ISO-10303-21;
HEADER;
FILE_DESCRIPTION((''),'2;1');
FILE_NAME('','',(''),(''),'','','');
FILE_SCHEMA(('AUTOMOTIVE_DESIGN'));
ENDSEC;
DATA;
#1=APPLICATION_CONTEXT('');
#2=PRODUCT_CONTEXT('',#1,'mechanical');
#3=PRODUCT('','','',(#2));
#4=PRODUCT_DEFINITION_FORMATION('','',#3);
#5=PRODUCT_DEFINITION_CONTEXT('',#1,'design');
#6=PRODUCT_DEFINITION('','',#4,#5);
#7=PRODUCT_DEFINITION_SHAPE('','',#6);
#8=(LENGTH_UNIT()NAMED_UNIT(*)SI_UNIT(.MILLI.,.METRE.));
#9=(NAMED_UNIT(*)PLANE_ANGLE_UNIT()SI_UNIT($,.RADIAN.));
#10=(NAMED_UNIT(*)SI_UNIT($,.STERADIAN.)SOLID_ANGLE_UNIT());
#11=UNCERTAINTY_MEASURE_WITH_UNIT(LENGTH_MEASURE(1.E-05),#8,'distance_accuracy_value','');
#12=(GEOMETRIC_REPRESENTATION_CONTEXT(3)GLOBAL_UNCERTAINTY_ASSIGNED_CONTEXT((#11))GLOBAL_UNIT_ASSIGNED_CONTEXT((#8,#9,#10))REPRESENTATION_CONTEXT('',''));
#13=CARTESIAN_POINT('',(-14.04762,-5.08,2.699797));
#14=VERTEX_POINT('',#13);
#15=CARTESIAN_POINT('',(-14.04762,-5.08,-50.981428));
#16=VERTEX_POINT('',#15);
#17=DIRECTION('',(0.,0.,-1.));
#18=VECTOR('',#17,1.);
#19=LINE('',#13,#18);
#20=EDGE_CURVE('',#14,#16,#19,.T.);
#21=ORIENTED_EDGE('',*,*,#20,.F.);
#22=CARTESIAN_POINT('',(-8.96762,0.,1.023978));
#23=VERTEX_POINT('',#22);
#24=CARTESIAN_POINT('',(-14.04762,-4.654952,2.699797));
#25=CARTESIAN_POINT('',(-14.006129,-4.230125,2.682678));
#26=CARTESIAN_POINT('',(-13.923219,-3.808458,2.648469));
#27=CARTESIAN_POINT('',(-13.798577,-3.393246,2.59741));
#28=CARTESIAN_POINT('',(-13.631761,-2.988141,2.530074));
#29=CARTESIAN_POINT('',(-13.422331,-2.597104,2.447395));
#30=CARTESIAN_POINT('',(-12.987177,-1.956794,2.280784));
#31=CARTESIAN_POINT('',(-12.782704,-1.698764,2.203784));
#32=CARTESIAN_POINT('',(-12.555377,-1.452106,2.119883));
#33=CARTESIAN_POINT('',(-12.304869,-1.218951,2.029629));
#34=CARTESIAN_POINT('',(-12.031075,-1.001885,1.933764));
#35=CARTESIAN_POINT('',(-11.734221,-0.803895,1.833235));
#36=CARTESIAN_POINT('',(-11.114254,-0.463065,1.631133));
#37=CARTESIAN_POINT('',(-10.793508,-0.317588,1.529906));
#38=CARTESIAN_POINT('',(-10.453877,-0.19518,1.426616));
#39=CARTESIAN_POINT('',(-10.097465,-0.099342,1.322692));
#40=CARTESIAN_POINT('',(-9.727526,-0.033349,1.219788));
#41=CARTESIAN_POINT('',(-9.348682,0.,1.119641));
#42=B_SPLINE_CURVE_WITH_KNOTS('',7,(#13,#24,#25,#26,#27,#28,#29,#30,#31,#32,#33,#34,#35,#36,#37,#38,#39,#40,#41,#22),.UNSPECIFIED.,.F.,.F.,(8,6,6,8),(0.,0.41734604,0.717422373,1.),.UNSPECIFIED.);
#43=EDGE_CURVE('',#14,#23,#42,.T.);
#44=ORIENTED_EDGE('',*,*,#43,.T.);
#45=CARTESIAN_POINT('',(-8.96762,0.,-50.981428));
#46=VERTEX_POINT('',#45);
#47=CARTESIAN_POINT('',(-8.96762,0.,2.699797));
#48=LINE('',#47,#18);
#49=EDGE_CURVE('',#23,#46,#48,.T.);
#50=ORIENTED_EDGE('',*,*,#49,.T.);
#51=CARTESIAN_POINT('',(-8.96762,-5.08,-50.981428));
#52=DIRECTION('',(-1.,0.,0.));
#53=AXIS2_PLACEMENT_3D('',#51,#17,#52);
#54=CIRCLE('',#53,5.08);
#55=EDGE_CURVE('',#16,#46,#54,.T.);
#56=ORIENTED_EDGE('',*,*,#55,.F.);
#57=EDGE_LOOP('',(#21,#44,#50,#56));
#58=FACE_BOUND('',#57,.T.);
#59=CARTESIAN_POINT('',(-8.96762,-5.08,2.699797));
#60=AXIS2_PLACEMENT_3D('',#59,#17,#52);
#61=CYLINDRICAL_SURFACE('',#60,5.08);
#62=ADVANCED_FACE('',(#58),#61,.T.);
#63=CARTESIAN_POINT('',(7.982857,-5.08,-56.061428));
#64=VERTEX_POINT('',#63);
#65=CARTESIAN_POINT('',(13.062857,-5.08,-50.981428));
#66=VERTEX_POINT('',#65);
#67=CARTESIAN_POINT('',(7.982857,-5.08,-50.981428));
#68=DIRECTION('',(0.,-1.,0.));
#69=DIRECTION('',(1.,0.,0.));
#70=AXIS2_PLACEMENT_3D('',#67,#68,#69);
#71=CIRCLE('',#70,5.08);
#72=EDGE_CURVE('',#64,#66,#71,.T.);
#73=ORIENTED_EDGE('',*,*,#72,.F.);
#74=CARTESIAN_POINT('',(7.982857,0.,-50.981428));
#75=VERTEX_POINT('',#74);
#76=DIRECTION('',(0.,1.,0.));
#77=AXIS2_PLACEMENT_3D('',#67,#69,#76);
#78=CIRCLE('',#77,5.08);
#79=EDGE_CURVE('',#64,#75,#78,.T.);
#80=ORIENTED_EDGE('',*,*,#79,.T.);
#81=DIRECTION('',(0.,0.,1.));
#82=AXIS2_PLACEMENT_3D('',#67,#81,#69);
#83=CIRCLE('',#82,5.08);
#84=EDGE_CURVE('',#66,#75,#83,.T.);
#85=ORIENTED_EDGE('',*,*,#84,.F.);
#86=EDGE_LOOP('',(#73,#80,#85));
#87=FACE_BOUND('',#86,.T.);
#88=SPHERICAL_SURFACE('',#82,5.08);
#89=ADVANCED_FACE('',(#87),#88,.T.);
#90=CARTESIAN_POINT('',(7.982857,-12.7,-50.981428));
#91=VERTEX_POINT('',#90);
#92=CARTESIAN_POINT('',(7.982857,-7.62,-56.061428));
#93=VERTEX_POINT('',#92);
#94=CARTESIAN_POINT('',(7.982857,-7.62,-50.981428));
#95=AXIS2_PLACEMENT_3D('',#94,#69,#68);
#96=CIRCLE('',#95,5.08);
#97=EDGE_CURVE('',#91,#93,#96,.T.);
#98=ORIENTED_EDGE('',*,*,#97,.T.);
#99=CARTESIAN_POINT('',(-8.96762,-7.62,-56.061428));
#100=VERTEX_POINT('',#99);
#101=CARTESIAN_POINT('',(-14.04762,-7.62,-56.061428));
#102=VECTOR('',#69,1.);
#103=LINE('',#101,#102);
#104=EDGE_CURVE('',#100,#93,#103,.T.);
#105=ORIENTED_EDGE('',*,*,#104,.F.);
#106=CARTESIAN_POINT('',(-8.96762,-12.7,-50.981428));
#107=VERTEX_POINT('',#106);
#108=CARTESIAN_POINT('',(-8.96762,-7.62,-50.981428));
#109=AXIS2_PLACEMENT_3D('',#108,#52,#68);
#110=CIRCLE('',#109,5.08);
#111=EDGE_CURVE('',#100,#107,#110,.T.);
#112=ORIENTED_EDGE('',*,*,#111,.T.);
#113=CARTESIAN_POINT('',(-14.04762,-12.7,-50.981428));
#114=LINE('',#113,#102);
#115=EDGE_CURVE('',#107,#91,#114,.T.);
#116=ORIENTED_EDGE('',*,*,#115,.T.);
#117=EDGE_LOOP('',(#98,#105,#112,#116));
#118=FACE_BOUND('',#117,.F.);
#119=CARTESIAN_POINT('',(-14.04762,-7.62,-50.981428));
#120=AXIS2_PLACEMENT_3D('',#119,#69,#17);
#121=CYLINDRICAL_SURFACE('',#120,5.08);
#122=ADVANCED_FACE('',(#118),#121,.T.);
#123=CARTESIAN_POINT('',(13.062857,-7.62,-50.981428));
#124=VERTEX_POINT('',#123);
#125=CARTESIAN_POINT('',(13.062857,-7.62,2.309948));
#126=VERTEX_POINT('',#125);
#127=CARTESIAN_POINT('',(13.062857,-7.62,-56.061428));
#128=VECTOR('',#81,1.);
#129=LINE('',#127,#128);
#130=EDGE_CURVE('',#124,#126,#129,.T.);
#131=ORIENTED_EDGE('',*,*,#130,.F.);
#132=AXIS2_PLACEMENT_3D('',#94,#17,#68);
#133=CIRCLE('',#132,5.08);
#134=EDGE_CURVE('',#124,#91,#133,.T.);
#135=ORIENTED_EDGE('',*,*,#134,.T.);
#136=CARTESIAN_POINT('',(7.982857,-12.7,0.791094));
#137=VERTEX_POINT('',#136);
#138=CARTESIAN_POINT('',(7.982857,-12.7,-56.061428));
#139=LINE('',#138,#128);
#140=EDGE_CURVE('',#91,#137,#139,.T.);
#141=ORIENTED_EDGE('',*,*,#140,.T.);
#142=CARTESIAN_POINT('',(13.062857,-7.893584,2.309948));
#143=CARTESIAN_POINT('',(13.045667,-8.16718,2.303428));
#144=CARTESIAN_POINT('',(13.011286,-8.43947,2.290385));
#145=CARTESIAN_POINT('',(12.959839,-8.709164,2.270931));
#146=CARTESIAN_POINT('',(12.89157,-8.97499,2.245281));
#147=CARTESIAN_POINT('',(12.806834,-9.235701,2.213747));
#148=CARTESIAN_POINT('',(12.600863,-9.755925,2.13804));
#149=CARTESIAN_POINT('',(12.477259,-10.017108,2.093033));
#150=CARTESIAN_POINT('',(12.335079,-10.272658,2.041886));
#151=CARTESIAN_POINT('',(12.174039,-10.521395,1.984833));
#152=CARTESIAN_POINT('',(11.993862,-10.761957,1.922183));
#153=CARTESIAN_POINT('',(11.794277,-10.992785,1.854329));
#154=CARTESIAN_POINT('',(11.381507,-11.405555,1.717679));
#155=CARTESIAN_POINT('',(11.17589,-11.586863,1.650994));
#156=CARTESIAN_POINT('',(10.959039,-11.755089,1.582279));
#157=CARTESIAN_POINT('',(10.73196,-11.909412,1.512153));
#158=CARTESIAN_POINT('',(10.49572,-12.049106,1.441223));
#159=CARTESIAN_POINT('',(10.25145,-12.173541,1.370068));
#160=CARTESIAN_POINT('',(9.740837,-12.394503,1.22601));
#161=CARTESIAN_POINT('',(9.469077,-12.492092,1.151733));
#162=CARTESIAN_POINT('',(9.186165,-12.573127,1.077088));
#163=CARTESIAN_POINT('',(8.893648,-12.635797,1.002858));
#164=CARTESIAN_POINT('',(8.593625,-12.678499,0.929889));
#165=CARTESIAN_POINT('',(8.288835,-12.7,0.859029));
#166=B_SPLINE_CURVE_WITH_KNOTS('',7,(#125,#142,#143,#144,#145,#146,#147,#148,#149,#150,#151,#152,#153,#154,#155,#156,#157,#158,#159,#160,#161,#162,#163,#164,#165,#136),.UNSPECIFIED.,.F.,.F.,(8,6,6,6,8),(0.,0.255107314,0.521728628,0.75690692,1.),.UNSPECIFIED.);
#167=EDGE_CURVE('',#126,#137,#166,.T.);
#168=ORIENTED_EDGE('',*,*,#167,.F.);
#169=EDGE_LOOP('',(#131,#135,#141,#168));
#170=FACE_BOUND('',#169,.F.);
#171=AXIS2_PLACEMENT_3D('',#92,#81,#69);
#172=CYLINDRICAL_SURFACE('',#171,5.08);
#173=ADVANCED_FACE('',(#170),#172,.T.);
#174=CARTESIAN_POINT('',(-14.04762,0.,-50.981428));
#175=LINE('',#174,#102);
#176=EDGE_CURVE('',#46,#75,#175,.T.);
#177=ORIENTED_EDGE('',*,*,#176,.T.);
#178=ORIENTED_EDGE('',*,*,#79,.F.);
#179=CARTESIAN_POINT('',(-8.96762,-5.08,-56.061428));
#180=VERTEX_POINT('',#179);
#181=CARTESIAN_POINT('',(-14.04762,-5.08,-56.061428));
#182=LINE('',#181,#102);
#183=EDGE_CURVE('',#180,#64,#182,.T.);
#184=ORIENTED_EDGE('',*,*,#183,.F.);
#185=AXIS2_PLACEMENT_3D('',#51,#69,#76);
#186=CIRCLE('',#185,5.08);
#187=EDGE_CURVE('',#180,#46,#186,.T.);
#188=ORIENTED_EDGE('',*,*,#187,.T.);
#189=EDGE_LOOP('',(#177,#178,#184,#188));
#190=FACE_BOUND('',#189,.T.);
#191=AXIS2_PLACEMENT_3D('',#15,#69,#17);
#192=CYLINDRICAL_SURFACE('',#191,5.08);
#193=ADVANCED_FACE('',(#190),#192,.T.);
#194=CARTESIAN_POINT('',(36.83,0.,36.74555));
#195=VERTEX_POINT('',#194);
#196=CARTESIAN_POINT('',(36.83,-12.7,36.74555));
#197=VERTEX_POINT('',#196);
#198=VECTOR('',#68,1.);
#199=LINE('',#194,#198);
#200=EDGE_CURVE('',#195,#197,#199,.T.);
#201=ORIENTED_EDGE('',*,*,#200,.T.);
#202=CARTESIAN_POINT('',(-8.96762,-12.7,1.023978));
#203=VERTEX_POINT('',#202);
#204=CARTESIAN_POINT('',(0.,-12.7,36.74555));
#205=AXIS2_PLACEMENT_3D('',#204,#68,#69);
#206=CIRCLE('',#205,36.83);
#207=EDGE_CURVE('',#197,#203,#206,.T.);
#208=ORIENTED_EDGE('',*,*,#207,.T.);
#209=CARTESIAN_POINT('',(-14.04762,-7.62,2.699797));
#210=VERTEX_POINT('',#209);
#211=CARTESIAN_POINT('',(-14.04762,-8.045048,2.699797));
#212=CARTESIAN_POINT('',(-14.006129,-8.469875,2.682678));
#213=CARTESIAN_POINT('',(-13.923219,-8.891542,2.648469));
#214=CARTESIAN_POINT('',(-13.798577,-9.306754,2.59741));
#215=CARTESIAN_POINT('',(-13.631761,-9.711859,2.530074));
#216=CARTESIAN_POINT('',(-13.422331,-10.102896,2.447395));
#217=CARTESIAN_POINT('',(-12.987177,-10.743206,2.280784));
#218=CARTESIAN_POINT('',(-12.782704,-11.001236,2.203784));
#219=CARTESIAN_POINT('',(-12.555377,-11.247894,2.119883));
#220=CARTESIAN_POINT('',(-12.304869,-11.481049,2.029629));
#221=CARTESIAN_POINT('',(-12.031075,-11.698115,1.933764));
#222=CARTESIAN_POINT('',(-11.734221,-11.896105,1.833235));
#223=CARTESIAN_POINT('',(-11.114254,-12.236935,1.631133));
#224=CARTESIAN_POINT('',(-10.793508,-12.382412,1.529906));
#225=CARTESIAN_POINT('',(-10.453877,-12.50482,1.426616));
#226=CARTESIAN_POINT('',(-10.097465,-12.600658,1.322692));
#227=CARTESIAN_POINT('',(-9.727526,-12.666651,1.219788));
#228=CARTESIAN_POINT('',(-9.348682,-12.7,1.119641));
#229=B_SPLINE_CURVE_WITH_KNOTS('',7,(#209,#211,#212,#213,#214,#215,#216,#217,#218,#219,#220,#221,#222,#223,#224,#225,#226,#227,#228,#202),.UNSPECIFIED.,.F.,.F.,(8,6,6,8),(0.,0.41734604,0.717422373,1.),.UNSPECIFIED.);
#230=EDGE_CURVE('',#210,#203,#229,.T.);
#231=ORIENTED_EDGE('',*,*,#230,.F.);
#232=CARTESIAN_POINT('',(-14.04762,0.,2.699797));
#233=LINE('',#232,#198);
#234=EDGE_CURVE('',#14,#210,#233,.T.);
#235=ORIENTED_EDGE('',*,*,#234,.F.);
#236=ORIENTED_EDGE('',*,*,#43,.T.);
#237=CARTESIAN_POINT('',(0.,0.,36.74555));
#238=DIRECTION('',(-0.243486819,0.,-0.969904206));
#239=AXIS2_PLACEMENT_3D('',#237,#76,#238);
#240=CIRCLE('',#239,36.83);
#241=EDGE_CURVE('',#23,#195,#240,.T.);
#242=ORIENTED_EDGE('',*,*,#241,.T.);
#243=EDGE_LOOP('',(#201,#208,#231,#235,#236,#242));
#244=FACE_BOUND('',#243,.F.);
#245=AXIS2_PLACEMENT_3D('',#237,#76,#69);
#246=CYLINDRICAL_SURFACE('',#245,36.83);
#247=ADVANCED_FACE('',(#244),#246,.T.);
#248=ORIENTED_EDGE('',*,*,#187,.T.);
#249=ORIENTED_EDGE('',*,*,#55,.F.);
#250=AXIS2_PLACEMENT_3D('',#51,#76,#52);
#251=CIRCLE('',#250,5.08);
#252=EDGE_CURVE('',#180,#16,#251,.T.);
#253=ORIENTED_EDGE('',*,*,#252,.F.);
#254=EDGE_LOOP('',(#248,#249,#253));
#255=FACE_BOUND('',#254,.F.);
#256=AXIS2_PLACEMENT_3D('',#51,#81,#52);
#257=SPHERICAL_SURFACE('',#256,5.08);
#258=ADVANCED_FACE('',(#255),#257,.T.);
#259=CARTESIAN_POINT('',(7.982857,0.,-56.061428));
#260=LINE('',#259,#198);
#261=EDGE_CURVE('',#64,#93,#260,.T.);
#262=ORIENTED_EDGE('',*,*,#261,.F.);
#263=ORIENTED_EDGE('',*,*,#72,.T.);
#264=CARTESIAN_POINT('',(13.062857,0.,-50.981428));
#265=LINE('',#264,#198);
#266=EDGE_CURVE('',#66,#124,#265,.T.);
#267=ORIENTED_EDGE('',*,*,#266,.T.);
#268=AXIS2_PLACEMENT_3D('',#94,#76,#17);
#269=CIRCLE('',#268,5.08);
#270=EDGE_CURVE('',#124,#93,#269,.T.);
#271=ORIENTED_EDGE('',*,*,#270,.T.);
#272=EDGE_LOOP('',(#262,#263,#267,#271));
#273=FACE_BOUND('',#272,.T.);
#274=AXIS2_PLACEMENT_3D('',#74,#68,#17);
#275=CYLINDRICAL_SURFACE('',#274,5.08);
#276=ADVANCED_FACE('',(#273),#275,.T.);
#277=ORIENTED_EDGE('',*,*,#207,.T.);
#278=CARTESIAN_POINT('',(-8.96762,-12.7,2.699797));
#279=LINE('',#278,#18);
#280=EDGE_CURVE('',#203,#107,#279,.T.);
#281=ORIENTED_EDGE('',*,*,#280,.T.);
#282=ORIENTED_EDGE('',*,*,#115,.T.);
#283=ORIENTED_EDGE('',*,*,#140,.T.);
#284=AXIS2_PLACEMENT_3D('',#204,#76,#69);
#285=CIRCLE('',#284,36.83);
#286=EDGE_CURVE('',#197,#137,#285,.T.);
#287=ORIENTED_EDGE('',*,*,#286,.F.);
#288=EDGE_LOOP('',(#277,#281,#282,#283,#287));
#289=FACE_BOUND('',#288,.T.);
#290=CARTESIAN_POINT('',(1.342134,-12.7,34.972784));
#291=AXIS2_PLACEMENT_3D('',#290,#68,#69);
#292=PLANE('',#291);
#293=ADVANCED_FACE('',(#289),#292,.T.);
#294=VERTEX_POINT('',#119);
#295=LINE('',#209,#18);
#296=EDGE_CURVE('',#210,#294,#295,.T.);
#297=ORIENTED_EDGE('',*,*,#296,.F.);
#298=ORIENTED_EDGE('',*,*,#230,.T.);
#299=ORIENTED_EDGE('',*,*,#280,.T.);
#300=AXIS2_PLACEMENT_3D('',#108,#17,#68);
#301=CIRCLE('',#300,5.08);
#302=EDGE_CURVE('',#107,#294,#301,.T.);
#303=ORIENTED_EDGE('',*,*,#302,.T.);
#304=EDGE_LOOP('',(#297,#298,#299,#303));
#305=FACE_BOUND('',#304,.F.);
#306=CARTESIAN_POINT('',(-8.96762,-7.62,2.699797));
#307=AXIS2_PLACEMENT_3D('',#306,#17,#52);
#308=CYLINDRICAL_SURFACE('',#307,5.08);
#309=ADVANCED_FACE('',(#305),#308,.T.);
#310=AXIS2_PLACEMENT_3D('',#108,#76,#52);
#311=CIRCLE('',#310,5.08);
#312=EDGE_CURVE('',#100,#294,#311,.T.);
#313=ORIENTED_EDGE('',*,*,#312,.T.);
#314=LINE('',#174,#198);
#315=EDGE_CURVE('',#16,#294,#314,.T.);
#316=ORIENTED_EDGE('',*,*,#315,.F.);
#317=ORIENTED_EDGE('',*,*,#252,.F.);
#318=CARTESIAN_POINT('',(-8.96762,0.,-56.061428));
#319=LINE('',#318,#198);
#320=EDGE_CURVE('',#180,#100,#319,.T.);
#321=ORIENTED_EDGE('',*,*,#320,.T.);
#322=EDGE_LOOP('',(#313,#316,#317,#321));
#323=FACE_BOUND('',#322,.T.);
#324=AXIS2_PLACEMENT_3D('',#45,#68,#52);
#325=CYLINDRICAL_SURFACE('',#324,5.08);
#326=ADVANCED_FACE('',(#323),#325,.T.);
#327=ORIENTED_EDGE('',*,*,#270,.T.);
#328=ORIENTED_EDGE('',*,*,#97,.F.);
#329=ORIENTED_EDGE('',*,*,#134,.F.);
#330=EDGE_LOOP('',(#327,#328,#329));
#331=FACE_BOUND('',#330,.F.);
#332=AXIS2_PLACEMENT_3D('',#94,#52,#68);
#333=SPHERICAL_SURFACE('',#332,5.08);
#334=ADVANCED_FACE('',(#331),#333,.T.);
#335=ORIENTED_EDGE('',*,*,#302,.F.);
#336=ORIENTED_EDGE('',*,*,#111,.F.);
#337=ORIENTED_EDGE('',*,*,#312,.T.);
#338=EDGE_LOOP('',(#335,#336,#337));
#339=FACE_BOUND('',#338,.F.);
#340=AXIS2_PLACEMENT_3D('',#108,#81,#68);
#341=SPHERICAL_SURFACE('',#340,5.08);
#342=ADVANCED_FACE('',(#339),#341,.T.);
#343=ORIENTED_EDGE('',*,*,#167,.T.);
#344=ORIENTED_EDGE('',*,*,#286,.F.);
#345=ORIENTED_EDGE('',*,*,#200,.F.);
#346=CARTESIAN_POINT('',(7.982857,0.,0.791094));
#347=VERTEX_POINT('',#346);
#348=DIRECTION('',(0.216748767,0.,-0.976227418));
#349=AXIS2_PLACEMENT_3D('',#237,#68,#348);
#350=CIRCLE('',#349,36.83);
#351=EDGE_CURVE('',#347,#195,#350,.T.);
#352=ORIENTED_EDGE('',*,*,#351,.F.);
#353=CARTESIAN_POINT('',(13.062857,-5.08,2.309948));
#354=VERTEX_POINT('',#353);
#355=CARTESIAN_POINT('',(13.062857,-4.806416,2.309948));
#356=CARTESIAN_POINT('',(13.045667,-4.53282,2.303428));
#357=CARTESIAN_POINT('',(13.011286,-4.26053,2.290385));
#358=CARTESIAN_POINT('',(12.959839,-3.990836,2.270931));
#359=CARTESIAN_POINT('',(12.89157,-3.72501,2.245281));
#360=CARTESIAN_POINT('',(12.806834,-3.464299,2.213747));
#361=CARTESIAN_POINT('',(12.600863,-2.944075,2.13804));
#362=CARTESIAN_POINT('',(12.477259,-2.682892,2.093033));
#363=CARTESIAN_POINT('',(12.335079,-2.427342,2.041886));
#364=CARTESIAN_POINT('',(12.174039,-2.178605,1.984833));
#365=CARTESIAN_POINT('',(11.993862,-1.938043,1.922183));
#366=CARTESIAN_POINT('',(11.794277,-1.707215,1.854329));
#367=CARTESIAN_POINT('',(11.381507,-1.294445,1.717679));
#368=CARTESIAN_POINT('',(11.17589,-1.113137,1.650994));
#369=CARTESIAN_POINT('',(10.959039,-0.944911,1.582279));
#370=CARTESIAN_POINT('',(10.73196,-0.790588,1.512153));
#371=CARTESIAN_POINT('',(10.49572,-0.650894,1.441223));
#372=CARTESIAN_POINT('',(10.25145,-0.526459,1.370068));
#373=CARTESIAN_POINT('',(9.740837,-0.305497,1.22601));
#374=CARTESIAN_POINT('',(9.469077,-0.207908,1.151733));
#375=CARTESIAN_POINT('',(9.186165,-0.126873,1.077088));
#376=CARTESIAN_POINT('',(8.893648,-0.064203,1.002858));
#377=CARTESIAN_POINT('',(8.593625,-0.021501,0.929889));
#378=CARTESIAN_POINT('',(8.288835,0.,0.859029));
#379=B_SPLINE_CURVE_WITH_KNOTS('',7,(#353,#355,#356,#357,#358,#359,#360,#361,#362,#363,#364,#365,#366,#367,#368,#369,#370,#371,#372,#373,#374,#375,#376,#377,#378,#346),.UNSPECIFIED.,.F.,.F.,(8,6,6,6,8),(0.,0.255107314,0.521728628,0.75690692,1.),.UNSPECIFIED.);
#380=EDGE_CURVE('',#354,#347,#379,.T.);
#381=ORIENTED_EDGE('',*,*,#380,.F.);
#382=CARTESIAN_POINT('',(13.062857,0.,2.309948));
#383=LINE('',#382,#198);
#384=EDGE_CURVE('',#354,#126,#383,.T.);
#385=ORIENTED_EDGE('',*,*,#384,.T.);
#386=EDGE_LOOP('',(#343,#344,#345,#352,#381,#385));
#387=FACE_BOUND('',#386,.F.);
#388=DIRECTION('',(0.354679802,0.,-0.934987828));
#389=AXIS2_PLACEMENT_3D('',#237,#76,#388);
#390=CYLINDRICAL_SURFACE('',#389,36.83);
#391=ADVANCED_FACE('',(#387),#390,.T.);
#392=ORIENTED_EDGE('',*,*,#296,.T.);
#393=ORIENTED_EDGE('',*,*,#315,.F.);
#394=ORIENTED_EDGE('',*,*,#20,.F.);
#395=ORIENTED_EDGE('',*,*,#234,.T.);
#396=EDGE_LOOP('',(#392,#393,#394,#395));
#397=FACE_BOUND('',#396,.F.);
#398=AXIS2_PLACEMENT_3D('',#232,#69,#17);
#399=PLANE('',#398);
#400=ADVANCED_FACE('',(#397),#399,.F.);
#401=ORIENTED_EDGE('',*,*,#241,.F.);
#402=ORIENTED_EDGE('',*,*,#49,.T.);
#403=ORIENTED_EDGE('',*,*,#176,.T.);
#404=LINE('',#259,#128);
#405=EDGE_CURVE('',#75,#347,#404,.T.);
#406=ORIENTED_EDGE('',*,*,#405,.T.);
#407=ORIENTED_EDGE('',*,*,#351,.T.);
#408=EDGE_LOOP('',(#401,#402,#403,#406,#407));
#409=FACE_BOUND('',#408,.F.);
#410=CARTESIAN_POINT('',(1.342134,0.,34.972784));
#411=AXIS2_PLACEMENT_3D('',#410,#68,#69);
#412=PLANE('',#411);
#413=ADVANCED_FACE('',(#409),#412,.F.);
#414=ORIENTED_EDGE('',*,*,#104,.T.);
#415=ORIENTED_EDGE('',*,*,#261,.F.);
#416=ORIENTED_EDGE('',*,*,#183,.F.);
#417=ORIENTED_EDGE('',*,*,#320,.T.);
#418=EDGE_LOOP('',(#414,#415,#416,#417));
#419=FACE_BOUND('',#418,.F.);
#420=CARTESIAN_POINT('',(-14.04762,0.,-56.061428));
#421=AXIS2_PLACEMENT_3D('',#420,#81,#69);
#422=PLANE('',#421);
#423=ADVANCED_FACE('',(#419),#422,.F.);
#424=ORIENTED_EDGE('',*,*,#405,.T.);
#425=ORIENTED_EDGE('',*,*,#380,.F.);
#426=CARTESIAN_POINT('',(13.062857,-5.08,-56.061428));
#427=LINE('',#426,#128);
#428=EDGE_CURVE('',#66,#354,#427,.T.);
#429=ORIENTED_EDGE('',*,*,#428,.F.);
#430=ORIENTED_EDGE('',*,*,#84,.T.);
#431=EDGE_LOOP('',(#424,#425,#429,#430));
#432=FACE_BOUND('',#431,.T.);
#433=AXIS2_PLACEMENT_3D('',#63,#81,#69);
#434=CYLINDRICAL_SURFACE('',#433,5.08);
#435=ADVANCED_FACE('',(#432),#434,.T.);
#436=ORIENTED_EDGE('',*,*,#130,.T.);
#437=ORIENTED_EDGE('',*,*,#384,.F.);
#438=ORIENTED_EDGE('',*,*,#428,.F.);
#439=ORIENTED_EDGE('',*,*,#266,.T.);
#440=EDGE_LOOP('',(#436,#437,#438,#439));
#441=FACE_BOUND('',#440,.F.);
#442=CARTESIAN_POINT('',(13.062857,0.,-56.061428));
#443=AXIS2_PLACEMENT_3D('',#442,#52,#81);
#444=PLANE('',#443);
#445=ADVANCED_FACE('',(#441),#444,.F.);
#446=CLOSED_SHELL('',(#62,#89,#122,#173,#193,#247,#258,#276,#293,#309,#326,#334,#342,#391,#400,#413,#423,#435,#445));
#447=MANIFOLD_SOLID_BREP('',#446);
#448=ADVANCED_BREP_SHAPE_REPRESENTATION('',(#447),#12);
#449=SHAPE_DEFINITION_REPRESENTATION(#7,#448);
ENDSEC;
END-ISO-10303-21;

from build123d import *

# Parameters (mm, degrees)
F1_DEPTH = 12.7
F2_R     = 5.08


with BuildPart() as f1:
    # F0 (on Front) → F1 (new body)
    with BuildSketch(Plane.XZ):
        with BuildLine():
            ThreePointArc((13.0628570914, 2.3099483364), (30.3113339089, 15.8249397069), (36.83, 36.7455500389))
            ThreePointArc((36.83, 36.7455500389), (-20.4826154647, 67.3545579242), (-14.0476195344, 2.6997972139))
            Line((-14.0476195344, 2.6997972139), (13.0628570914, 2.6997972139))
            Line((13.0628570914, 2.6997972139), (13.0628570914, 2.3099483364))
        make_face()
        with BuildLine():
            Line((13.0628570914, 2.6997972139), (-14.0476195344, 2.6997972139))
            ThreePointArc((-14.0476195344, 2.6997972139), (-0.5295609541, -0.0806426125), (13.0628570914, 2.3099483364))
            Line((13.0628570914, 2.3099483364), (13.0628570914, 2.6997972139))
        make_face()
        with BuildLine():
            ThreePointArc((13.0628570914, 2.3099483364), (-0.5295609541, -0.0806426125), (-14.0476195344, 2.6997972139))
            Line((-14.0476195344, 2.6997972139), (-14.0476195344, -56.0614280403))
            Line((-14.0476195344, -56.0614280403), (13.0628570914, -56.0614280403))
            Line((13.0628570914, -56.0614280403), (13.0628570914, 2.3099483364))
        make_face()
    extrude(amount=F1_DEPTH)

    # F2
    f2_edges = [f1.edges().sort_by_distance(p)[0] for p in [
        (-14.04762, -12.7, -26.680815),
        (-14.04762, 0, -26.680815),
        (-0.492381, -12.7, -56.061428),
        (13.062857, -12.7, -26.87574),
        (13.062857, 0, -26.87574),
        (-14.04762, -6.35, -56.061428),
        (13.062857, -6.35, -56.061428),
        (-0.492381, 0, -56.061428),
    ]]
    fillet(f2_edges, radius=F2_R)


solid = f1.part
